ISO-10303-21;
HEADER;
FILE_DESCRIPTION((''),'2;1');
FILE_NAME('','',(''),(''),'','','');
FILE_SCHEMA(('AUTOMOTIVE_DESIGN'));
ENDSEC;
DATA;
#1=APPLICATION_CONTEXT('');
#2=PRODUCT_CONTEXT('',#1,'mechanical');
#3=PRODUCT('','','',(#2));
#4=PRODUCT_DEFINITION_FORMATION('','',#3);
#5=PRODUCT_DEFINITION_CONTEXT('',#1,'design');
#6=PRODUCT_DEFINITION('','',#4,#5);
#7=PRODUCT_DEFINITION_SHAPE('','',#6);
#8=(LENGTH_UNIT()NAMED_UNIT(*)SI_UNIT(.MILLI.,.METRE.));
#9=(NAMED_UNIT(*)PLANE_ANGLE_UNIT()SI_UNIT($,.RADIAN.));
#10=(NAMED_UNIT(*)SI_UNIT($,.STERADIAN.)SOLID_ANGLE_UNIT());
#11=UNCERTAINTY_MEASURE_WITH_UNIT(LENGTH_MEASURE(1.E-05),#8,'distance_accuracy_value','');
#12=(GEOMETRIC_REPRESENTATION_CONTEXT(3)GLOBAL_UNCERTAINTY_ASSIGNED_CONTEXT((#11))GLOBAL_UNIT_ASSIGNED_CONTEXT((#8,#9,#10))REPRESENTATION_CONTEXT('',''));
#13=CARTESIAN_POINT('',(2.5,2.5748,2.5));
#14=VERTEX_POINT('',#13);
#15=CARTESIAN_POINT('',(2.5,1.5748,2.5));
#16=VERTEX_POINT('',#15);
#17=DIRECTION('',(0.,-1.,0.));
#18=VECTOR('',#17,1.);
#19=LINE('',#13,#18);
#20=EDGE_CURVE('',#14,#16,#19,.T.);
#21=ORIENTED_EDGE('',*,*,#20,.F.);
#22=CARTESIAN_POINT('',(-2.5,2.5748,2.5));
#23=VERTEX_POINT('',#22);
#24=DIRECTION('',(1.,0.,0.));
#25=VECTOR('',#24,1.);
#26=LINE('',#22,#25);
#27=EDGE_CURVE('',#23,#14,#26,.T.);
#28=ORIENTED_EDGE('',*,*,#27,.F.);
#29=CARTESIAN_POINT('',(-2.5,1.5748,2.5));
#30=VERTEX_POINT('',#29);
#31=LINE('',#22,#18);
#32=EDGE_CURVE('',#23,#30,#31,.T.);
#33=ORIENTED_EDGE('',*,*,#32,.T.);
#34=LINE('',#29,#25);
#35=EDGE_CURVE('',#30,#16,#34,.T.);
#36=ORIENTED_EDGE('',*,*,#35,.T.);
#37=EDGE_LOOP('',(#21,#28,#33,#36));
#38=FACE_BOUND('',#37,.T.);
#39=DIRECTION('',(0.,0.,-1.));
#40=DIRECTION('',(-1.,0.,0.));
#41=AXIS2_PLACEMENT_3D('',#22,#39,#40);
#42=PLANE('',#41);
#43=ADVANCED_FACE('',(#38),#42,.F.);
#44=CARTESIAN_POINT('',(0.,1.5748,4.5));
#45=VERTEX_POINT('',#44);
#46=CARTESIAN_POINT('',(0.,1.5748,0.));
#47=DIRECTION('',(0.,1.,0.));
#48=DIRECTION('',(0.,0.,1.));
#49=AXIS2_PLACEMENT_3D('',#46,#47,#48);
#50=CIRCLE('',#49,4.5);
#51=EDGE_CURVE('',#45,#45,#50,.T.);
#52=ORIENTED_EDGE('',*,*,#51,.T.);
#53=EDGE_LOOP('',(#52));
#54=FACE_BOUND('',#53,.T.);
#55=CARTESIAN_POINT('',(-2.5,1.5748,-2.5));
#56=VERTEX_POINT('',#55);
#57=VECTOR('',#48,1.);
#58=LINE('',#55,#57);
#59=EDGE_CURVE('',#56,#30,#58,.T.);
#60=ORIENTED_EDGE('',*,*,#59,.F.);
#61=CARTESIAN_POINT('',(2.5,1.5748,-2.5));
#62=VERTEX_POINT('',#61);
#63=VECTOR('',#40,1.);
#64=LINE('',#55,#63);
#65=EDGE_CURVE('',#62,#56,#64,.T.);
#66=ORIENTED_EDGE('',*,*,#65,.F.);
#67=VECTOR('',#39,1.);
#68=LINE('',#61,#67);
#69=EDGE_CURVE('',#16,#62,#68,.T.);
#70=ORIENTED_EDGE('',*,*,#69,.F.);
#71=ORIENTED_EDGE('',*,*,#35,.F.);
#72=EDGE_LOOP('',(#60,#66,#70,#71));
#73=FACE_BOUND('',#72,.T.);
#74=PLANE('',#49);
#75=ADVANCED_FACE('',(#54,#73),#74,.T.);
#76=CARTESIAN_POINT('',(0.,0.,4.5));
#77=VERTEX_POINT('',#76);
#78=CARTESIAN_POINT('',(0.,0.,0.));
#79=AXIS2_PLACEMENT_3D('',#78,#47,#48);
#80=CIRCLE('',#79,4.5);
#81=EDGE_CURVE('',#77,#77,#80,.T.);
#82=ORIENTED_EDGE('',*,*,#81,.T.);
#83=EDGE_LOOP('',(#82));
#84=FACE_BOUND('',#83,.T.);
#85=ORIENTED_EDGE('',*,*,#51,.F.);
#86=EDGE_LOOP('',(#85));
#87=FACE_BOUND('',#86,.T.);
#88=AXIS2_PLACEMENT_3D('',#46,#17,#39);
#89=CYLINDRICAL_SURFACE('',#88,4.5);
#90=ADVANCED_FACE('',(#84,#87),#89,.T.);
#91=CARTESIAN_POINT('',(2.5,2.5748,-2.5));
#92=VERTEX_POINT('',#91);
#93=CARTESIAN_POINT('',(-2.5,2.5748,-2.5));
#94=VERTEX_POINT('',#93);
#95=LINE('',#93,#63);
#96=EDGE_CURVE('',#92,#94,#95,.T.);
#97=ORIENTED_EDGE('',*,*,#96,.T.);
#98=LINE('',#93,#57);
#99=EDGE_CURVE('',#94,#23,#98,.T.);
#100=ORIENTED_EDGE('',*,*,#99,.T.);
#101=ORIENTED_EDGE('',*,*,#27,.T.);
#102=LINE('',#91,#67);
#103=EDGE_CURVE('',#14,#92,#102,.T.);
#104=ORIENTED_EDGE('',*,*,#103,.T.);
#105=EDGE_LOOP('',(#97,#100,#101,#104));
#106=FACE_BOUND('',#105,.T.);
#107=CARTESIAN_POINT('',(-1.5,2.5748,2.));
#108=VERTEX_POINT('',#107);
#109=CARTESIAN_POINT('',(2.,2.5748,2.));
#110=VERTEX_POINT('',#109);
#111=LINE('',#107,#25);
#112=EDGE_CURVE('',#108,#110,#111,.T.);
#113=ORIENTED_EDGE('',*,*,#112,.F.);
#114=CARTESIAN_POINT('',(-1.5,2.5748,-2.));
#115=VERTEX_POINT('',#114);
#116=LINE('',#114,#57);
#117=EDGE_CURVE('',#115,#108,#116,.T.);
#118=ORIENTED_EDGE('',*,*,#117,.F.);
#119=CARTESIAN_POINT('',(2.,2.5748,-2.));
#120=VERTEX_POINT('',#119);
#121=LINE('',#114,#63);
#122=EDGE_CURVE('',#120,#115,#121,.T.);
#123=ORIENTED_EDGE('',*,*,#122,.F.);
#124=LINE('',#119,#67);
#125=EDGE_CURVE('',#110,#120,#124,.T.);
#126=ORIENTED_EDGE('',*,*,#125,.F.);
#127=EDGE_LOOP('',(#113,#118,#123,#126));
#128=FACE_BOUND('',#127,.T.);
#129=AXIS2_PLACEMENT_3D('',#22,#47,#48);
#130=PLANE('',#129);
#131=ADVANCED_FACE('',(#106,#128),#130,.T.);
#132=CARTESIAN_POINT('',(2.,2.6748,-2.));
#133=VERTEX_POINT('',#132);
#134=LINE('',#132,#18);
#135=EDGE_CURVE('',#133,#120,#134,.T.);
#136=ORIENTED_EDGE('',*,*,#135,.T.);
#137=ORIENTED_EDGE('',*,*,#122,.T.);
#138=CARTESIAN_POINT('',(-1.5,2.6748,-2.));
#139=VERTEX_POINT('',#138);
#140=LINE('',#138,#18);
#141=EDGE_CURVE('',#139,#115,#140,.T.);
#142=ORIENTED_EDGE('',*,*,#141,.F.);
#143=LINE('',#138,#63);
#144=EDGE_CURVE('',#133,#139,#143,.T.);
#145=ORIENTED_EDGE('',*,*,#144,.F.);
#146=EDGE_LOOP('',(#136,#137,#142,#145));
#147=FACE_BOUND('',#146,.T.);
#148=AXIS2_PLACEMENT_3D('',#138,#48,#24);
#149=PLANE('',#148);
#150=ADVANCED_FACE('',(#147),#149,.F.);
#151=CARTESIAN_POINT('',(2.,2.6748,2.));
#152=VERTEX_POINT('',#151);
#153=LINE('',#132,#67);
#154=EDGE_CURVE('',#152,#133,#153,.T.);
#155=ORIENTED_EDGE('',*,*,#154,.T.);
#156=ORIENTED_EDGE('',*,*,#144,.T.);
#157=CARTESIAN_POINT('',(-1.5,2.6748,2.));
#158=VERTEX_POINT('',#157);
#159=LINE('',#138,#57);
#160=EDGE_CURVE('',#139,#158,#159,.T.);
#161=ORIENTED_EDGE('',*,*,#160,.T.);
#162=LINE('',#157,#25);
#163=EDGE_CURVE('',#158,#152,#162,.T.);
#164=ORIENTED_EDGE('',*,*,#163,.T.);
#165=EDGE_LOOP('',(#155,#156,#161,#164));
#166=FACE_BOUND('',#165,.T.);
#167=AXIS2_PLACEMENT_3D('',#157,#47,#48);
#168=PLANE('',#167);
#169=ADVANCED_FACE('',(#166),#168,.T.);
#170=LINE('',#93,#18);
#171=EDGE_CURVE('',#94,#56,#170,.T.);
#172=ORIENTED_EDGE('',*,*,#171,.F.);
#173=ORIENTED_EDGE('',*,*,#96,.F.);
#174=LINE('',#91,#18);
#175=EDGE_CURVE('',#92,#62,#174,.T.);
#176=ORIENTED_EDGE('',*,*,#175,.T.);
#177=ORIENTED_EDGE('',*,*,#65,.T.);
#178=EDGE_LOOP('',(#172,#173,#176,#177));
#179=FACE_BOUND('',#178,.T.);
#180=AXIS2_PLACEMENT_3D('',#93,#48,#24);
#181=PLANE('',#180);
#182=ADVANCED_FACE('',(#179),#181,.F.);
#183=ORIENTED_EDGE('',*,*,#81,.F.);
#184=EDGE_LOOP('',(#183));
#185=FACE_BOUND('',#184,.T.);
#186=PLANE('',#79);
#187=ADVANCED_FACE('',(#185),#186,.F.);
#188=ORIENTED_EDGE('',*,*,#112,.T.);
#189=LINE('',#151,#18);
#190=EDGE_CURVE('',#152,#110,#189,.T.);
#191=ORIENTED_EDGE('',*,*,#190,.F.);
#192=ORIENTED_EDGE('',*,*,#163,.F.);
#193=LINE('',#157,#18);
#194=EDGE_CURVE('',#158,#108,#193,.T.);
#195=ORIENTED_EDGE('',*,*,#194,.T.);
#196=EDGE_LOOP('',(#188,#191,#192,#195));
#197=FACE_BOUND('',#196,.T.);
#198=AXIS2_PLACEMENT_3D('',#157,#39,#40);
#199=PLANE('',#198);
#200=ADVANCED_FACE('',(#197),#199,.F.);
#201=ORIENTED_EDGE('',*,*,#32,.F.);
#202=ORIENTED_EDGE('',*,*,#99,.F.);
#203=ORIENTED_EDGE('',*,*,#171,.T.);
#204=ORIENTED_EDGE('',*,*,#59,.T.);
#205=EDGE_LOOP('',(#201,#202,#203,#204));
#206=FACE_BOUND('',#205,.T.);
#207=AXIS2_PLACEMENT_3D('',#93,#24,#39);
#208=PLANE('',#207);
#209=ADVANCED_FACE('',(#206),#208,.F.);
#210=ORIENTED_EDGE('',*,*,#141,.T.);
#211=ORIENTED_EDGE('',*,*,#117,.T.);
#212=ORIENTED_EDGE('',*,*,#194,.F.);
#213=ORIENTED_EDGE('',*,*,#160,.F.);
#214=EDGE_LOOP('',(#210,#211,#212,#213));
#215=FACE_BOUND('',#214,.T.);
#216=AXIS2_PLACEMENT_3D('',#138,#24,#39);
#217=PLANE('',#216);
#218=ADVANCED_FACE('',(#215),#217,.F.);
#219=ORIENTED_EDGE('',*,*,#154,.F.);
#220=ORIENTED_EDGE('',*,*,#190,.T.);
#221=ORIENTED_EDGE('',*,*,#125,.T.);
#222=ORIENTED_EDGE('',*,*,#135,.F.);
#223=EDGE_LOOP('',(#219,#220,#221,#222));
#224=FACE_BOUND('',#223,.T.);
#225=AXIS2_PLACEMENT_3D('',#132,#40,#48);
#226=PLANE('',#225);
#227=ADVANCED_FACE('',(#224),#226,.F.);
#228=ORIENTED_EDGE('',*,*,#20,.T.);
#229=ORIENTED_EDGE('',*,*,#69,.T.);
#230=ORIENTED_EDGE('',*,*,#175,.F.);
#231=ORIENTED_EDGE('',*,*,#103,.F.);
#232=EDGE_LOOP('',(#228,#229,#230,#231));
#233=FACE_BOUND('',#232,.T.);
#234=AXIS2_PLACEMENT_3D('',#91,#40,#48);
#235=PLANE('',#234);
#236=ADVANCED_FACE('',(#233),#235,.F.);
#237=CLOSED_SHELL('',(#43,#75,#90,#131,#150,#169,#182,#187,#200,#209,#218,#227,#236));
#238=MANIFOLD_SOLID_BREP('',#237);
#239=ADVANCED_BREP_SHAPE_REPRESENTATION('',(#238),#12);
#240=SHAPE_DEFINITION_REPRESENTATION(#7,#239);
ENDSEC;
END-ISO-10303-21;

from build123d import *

# Parameters (mm, degrees)
SKETCH1_R           = 4.5
BOSS_EXTRUDE1_DEPTH = 1.5748
SKETCH2_W           = 5
SKETCH2_H           = 5
BOSS_EXTRUDE2_DEPTH = 1
SKETCH3_W           = 3.5
SKETCH3_H           = 4
BOSS_EXTRUDE3_DEPTH = 0.1


with BuildPart() as part:
    # Sketch1 → Boss-Extrude1 (new body)
    with BuildSketch(Plane(origin=(0, 0, 0), x_dir=(1, 0, 0), z_dir=(0, 1, 0))):
        Circle(SKETCH1_R)
    extrude(amount=BOSS_EXTRUDE1_DEPTH)

    # Sketch2 → Boss-Extrude2 (add)
    with BuildSketch(Plane(origin=(0, 1.5748, 0), x_dir=(1, 0, 0), z_dir=(0, 1, 0))):
        Rectangle(SKETCH2_W, SKETCH2_H)
    extrude(amount=BOSS_EXTRUDE2_DEPTH)

    # Sketch3 → Boss-Extrude3 (add)
    with BuildSketch(Plane(origin=(0, 2.5748, 0), x_dir=(1, 0, 0), z_dir=(0, 1, 0))):
        with Locations((0.25, 0)):
            Rectangle(SKETCH3_W, SKETCH3_H)
    extrude(amount=BOSS_EXTRUDE3_DEPTH)


solid = part.part
